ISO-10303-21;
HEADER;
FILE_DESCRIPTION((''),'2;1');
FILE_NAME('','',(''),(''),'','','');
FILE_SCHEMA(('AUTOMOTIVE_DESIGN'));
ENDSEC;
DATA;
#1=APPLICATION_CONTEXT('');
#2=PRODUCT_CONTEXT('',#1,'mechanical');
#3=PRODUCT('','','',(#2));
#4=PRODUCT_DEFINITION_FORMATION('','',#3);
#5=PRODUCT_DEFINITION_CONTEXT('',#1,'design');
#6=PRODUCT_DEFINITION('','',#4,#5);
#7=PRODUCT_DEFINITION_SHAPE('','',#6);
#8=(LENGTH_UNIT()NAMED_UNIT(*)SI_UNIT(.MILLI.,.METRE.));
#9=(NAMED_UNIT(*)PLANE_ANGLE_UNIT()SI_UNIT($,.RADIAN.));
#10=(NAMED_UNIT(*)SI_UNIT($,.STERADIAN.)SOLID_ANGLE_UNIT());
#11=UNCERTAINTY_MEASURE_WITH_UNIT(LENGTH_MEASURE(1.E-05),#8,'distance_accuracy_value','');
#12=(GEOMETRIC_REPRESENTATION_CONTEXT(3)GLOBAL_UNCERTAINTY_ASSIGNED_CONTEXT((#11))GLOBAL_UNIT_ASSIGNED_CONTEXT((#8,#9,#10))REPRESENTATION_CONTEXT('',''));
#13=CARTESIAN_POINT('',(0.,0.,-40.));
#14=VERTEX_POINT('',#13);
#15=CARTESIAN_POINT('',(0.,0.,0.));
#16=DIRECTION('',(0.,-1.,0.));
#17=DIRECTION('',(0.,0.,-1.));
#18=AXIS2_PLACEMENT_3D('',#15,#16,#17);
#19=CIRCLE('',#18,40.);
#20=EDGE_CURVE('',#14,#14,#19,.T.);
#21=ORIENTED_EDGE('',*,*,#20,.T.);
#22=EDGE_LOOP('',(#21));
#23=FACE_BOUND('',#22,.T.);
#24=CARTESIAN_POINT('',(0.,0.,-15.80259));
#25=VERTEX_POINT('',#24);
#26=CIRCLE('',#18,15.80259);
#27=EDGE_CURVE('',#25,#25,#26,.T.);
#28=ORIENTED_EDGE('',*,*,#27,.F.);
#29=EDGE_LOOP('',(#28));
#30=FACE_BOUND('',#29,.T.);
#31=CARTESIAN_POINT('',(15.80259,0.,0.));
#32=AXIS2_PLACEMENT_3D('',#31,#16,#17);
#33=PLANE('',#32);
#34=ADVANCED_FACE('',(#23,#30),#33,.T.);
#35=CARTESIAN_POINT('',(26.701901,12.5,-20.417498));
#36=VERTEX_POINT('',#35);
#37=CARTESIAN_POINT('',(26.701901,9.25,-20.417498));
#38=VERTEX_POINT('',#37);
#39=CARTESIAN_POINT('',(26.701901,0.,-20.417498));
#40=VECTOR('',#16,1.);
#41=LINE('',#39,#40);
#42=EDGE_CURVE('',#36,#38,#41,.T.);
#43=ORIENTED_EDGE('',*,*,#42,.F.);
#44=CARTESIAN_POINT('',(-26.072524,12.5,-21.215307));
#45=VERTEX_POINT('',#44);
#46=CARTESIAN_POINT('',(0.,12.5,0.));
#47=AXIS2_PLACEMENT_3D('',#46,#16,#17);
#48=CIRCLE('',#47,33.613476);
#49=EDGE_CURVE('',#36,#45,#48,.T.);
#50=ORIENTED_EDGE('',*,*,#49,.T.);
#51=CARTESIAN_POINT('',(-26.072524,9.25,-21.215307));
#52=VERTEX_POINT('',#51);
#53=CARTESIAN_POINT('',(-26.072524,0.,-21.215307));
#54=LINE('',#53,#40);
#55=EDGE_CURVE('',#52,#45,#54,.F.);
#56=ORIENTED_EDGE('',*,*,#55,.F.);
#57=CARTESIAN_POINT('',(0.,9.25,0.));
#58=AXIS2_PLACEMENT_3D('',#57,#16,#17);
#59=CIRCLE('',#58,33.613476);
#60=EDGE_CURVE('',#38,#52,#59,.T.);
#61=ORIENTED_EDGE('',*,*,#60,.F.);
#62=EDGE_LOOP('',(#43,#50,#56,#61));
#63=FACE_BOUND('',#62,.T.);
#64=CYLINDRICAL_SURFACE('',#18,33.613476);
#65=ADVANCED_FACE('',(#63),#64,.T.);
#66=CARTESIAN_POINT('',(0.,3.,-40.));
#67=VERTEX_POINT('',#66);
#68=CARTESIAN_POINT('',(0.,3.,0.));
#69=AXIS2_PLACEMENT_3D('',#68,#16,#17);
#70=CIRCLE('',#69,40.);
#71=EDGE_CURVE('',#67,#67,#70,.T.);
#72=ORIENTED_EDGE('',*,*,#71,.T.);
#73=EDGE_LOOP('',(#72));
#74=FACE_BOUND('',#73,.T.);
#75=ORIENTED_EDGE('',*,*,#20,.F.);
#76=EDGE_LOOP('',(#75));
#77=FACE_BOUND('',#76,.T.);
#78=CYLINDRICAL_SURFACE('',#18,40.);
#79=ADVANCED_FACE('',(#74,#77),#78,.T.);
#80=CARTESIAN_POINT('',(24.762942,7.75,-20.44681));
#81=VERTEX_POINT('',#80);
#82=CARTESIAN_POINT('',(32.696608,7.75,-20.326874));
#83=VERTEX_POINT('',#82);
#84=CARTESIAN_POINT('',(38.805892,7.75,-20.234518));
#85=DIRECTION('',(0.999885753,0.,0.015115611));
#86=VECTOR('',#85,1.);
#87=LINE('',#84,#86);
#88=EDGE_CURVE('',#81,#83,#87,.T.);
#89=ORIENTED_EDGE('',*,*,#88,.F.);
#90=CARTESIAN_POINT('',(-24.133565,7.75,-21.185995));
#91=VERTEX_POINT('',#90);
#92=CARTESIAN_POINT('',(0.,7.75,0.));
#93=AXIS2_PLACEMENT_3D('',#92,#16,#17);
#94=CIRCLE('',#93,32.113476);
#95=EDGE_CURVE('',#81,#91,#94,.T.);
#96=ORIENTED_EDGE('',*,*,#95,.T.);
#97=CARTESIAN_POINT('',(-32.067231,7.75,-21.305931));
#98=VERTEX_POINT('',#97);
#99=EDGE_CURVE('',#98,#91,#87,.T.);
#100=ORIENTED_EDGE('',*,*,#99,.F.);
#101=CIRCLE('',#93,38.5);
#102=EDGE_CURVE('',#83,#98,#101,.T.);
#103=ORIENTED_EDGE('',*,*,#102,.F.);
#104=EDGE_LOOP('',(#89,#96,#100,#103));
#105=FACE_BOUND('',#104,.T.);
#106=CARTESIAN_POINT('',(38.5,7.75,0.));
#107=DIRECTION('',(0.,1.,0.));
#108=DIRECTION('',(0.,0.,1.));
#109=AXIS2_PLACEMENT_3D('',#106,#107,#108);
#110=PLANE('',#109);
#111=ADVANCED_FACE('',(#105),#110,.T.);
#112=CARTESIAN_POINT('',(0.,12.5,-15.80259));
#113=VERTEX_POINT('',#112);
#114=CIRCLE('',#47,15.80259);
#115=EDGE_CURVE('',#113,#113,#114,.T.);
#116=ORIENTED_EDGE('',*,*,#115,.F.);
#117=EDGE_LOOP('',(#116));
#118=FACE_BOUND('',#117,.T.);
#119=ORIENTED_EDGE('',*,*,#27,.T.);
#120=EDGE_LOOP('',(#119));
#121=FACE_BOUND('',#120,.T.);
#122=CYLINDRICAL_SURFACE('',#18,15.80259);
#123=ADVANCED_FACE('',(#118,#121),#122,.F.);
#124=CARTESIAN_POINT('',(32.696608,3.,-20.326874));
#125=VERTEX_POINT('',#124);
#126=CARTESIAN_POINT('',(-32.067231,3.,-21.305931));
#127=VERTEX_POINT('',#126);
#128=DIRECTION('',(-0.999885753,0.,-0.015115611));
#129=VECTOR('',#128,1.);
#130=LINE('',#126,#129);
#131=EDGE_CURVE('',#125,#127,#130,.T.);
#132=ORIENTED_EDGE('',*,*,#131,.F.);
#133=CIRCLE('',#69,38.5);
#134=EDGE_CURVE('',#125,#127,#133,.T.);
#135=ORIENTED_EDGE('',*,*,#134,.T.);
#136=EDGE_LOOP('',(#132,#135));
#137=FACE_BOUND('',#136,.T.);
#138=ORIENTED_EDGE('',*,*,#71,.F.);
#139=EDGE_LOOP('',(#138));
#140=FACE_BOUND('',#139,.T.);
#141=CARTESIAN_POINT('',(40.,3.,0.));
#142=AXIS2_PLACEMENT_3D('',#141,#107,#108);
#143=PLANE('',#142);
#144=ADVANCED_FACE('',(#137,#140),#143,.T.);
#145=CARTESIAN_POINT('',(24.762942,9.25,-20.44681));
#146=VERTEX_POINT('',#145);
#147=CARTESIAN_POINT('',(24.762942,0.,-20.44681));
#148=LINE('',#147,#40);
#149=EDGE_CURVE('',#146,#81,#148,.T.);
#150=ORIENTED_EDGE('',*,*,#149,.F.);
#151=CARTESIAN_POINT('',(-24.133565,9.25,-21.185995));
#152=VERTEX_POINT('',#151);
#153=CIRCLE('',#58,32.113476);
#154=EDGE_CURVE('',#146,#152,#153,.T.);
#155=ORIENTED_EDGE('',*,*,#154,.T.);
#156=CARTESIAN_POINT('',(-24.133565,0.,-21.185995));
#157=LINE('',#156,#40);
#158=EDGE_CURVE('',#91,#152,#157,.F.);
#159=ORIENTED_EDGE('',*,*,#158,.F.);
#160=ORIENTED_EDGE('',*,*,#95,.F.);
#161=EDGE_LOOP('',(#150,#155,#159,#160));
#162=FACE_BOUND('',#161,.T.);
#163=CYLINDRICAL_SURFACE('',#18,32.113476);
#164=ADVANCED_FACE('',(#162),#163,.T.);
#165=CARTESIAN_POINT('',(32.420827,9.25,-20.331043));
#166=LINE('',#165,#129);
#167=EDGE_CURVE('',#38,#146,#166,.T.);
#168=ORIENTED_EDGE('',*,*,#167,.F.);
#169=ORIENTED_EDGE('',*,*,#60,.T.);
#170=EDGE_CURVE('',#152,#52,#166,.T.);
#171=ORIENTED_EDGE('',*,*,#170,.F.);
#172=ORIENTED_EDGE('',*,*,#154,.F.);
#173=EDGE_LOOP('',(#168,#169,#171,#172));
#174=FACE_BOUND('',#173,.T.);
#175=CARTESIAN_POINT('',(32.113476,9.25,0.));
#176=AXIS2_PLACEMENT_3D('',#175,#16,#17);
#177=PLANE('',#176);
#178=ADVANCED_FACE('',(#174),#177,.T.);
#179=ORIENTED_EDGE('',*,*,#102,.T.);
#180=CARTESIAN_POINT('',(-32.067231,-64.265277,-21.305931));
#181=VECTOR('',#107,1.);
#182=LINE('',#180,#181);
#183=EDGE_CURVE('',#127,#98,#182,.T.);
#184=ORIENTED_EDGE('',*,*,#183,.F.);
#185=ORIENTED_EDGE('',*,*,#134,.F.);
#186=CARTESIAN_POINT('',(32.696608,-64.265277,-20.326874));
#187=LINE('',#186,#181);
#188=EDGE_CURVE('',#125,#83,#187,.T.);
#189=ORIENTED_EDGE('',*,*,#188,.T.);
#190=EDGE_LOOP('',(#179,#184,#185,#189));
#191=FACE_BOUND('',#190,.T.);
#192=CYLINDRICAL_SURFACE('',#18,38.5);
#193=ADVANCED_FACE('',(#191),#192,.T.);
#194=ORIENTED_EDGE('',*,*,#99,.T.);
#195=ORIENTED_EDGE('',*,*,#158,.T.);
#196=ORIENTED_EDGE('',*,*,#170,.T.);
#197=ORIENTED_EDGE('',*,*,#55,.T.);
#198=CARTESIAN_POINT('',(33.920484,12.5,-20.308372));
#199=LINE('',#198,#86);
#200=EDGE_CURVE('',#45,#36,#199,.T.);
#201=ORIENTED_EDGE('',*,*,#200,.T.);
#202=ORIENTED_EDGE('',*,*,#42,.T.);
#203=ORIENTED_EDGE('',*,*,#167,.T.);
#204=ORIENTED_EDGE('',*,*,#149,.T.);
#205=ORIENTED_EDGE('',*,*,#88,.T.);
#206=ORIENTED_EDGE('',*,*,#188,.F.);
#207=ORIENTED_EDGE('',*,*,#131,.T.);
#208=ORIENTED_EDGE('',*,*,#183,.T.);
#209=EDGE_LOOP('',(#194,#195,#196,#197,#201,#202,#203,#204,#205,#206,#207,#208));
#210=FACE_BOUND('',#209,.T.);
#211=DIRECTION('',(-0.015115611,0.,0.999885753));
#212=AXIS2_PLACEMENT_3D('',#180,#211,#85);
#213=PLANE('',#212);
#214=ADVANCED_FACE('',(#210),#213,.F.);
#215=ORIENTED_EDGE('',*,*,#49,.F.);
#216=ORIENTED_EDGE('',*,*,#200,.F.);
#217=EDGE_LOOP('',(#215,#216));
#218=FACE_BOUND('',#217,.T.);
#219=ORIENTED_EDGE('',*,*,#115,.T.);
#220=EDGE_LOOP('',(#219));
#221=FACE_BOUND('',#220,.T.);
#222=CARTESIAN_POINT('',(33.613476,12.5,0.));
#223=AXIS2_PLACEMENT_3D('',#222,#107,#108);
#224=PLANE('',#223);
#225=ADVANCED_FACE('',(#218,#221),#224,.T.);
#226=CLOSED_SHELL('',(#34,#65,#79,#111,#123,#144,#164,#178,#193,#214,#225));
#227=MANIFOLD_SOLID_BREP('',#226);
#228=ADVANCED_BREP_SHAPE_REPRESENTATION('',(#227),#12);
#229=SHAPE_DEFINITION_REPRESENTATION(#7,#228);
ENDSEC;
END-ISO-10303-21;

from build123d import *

# Parameters (mm, degrees)
CUT_EXTRUDE1_DEPTH = 9.5


with BuildPart() as part:
    # Sketch1 → Revolve1 (revolve)
    with BuildSketch(Plane.XY):
        Polygon((15.802589648, 0), (40, 0), (40, 3), (38.5, 3), (38.5, 7.75), (32.113475553, 7.75), (32.113475553, 9.25), (33.613475553, 9.25), (33.613475553, 12.5), (15.802589648, 12.5), align=None)
    revolve(axis=Axis((0, 0, 0), (0, 1, 0)))

    # Sketch2 → Cut-Extrude1 (cut)
    with BuildSketch(Plane(origin=(0, 12.5, 0), x_dir=(1, 0, 0), z_dir=(0, 1, 0))):
        with BuildLine():
            Line((-32.06723123, 21.305930659), (32.696608404, 20.326873809))
            ThreePointArc((32.696608404, 20.326873809), (0.581951017, 38.495601476), (-32.06723123, 21.305930659))
        make_face()
    extrude(amount=-CUT_EXTRUDE1_DEPTH, mode=Mode.SUBTRACT)


solid = part.part
